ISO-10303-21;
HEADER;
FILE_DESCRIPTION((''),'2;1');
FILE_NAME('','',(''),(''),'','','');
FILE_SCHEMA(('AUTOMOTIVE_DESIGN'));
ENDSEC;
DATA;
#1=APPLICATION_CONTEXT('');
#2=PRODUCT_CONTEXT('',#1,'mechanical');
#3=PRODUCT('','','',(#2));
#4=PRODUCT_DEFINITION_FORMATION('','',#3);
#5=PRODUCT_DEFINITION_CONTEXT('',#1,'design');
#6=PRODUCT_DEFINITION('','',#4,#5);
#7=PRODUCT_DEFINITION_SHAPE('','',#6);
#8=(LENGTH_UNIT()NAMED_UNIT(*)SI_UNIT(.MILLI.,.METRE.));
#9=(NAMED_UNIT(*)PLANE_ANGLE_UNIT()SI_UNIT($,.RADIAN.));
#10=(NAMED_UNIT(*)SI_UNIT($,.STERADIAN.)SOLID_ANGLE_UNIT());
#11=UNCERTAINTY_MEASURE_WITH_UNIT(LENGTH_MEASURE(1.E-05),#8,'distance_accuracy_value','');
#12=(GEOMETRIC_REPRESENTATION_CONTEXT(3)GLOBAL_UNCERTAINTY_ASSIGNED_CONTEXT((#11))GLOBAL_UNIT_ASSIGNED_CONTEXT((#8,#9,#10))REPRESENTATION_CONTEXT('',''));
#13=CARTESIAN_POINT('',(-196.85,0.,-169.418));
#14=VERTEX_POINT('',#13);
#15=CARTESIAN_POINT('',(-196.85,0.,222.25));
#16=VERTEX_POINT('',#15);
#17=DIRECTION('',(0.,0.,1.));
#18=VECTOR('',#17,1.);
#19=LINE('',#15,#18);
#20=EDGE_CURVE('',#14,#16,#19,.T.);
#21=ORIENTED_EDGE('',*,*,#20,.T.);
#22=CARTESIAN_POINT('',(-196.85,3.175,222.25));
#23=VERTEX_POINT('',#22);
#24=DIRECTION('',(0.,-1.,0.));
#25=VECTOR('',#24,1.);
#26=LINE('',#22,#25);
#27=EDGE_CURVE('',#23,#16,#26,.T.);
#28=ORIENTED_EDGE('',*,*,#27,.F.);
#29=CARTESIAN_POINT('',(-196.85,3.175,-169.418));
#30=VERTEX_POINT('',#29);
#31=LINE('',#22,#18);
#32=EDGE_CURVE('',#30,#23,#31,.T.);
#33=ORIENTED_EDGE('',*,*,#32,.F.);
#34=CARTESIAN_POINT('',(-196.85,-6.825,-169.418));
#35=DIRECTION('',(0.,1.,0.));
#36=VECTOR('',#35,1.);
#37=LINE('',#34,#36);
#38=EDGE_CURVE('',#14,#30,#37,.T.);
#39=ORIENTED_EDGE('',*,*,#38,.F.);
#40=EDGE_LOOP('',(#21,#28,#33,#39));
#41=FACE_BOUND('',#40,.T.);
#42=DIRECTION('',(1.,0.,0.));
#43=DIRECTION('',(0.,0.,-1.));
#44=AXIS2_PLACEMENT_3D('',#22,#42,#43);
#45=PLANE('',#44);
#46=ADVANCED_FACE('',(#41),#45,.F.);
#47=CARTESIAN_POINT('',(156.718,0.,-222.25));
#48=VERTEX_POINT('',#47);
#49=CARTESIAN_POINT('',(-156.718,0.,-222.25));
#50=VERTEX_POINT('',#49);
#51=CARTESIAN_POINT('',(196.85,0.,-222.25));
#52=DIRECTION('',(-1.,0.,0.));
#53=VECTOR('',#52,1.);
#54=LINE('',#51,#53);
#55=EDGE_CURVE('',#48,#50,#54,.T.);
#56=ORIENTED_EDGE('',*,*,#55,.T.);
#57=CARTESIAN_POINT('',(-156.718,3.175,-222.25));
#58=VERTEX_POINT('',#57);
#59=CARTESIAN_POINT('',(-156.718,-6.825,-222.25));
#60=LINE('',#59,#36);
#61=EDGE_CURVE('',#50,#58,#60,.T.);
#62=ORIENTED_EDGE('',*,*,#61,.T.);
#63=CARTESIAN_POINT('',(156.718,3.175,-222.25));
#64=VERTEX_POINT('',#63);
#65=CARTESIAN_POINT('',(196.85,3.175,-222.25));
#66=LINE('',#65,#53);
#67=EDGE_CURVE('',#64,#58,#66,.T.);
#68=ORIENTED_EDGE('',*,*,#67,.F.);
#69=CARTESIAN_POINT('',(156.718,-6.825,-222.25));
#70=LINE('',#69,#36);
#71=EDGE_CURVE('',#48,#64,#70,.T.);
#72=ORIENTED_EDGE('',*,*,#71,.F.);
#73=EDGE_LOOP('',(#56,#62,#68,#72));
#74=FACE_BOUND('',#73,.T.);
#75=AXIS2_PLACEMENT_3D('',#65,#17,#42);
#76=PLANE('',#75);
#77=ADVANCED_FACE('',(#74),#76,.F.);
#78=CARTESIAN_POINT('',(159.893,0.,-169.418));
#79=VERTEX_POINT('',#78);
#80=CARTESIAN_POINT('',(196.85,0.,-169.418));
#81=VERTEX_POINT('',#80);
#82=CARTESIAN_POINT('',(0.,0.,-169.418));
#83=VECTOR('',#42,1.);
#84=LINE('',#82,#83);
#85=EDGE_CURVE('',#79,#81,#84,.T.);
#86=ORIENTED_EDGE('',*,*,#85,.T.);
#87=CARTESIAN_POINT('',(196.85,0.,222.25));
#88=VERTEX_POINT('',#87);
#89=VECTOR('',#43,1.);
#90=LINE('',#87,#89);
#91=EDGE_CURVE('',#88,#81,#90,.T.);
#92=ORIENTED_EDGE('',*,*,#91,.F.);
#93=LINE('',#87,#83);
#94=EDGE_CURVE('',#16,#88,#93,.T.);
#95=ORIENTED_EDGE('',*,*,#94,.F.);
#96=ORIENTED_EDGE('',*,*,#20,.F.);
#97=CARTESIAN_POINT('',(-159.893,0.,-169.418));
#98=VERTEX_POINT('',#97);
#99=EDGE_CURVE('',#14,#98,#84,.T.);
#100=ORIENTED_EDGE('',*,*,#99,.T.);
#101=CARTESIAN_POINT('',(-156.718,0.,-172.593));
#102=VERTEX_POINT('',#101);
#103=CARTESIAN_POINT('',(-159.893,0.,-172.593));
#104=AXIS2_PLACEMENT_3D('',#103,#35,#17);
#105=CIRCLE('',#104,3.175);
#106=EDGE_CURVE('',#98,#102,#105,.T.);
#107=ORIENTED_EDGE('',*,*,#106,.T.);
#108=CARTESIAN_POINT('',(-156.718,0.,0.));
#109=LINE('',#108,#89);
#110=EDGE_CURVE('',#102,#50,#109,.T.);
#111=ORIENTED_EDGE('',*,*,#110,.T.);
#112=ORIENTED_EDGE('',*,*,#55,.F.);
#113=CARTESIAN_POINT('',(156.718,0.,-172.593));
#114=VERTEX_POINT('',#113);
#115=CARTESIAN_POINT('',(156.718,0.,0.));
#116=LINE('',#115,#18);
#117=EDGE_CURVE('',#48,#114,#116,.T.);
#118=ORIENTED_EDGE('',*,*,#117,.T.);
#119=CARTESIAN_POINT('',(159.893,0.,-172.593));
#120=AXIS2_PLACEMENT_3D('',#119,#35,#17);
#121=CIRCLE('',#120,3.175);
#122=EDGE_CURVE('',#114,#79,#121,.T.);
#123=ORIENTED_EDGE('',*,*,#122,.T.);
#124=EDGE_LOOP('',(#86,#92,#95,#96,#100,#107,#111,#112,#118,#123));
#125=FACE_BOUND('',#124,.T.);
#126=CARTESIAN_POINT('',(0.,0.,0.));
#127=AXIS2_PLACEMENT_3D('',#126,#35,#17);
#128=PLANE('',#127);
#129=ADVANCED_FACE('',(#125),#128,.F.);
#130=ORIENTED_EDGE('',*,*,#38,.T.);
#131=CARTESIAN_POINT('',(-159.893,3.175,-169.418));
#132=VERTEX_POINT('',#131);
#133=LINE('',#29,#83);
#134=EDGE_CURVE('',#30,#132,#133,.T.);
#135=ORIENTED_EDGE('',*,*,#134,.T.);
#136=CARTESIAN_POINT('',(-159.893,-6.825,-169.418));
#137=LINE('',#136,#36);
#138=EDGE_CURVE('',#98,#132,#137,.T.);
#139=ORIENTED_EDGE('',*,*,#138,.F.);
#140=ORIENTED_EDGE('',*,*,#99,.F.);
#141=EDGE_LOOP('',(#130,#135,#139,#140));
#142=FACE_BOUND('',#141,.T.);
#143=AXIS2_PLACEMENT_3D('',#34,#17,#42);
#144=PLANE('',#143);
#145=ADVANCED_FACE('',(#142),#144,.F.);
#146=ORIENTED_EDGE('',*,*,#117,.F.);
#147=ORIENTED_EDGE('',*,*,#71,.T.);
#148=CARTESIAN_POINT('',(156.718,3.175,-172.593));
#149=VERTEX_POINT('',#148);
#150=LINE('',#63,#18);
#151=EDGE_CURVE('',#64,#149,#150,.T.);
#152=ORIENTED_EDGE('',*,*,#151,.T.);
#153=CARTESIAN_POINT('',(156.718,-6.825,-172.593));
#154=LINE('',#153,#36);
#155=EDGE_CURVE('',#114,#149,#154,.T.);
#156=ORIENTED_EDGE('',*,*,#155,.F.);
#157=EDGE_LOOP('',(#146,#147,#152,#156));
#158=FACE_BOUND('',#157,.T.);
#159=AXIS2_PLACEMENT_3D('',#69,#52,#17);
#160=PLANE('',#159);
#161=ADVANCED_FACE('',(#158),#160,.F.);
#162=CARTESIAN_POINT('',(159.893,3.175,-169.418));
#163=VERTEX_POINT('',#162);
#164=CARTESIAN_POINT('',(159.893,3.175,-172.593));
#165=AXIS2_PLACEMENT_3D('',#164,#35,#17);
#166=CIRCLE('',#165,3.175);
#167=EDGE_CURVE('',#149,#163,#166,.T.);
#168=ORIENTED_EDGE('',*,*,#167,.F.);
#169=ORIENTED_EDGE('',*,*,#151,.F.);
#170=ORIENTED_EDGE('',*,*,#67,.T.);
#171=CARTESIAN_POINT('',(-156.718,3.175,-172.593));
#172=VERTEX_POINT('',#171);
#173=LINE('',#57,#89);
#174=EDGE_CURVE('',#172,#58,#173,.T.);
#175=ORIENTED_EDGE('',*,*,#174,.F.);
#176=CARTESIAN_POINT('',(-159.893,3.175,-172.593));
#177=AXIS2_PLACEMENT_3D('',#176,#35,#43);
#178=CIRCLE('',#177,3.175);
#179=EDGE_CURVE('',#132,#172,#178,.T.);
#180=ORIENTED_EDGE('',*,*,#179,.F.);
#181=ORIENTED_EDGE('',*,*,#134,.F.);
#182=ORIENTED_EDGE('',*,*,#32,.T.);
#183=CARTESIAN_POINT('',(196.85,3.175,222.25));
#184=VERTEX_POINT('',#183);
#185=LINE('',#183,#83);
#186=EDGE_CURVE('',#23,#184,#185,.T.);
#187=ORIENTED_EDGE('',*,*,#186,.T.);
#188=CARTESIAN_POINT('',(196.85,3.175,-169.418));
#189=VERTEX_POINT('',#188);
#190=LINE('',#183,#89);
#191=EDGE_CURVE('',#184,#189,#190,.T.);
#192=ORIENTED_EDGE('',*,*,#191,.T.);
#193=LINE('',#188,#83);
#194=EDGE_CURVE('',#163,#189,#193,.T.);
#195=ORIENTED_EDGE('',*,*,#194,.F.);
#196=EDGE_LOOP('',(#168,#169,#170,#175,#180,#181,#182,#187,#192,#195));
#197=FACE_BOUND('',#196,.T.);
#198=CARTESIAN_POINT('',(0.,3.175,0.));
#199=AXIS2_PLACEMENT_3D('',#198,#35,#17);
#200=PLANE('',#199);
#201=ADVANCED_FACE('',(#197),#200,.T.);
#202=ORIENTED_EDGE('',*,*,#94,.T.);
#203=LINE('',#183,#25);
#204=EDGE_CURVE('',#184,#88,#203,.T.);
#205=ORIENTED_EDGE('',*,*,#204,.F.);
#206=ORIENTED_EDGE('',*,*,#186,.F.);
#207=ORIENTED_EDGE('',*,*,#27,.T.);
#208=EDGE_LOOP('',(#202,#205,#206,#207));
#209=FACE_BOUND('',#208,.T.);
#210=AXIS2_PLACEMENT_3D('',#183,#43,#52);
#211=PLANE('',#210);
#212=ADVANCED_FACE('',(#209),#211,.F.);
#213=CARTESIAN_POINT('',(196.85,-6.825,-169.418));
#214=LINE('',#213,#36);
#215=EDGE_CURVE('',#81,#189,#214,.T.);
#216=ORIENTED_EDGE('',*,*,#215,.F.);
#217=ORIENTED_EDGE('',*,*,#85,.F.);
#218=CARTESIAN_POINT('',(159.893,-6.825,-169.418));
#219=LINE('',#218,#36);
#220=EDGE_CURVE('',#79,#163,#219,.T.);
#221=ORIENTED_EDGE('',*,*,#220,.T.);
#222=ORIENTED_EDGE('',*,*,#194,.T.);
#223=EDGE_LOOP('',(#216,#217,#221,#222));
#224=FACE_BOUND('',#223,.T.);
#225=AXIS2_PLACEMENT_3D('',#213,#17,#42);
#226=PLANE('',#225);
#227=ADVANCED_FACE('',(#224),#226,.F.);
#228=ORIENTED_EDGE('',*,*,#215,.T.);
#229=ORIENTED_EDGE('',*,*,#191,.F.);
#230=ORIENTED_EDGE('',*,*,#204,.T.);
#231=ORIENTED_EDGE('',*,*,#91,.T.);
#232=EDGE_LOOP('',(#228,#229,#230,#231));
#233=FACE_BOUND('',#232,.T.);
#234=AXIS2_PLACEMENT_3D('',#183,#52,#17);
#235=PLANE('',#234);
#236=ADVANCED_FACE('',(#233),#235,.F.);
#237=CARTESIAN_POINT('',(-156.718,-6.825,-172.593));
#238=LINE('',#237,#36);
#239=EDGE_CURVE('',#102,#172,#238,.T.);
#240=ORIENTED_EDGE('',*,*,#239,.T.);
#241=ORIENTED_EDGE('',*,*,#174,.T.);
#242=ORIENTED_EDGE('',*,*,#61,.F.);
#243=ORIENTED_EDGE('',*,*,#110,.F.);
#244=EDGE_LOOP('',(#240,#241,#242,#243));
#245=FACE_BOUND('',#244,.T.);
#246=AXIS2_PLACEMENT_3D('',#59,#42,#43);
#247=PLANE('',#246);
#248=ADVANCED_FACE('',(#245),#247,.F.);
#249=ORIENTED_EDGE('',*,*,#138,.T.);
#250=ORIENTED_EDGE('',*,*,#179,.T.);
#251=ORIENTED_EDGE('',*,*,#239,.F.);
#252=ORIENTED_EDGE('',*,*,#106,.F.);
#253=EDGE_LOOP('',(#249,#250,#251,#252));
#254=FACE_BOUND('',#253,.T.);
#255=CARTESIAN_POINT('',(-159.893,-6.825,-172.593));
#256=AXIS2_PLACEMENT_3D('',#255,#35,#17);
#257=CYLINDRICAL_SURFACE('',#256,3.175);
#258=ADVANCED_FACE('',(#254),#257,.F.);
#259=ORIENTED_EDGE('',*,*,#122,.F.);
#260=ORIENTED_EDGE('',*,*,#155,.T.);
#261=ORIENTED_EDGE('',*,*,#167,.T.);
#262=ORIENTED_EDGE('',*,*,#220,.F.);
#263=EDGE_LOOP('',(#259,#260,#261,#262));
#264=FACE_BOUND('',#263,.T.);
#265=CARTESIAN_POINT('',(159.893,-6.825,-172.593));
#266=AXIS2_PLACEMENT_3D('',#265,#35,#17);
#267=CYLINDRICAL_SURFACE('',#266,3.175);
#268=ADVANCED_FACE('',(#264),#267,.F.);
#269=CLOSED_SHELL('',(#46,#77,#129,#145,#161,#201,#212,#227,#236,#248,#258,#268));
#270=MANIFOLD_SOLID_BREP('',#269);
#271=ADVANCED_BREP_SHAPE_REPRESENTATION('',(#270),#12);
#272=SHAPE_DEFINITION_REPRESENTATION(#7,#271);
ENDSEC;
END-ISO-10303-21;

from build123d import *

# Parameters (mm, degrees)
SKETCH1_W           = 393.7
SKETCH1_H           = 444.5
BOSS_EXTRUDE1_DEPTH = 3.175
CUT_EXTRUDE1_DEPTH  = 10


with BuildPart() as part:
    # Sketch1 → Boss-Extrude1 (new body)
    with BuildSketch(Plane(origin=(0, 0, 0), x_dir=(1, 0, 0), z_dir=(0, 1, 0))):
        Rectangle(SKETCH1_W, SKETCH1_H)
    extrude(amount=BOSS_EXTRUDE1_DEPTH)

    # Sketch2 → Cut-Extrude1 (cut)
    with BuildSketch(Plane(origin=(0, 3.175, 0), x_dir=(1, 0, 0), z_dir=(0, 1, 0))):
        with BuildLine():
            Line((-196.85, 222.25), (-156.718, 222.25))
            Line((-156.718, 222.25), (-156.718, 172.593))
            ThreePointArc((-156.718, 172.593), (-157.64793597, 170.34793597), (-159.893, 169.418))
            Line((-159.893, 169.418), (-196.85, 169.418))
            Line((-196.85, 169.418), (-196.85, 222.25))
        make_face()
        with BuildLine():
            Line((196.85, 222.25), (156.718, 222.25))
            Line((156.718, 222.25), (156.718, 172.593))
            ThreePointArc((156.718, 172.593), (157.64793597, 170.34793597), (159.893, 169.418))
            Line((159.893, 169.418), (196.85, 169.418))
            Line((196.85, 169.418), (196.85, 222.25))
        make_face()
    extrude(amount=-CUT_EXTRUDE1_DEPTH, mode=Mode.SUBTRACT)


solid = part.part
